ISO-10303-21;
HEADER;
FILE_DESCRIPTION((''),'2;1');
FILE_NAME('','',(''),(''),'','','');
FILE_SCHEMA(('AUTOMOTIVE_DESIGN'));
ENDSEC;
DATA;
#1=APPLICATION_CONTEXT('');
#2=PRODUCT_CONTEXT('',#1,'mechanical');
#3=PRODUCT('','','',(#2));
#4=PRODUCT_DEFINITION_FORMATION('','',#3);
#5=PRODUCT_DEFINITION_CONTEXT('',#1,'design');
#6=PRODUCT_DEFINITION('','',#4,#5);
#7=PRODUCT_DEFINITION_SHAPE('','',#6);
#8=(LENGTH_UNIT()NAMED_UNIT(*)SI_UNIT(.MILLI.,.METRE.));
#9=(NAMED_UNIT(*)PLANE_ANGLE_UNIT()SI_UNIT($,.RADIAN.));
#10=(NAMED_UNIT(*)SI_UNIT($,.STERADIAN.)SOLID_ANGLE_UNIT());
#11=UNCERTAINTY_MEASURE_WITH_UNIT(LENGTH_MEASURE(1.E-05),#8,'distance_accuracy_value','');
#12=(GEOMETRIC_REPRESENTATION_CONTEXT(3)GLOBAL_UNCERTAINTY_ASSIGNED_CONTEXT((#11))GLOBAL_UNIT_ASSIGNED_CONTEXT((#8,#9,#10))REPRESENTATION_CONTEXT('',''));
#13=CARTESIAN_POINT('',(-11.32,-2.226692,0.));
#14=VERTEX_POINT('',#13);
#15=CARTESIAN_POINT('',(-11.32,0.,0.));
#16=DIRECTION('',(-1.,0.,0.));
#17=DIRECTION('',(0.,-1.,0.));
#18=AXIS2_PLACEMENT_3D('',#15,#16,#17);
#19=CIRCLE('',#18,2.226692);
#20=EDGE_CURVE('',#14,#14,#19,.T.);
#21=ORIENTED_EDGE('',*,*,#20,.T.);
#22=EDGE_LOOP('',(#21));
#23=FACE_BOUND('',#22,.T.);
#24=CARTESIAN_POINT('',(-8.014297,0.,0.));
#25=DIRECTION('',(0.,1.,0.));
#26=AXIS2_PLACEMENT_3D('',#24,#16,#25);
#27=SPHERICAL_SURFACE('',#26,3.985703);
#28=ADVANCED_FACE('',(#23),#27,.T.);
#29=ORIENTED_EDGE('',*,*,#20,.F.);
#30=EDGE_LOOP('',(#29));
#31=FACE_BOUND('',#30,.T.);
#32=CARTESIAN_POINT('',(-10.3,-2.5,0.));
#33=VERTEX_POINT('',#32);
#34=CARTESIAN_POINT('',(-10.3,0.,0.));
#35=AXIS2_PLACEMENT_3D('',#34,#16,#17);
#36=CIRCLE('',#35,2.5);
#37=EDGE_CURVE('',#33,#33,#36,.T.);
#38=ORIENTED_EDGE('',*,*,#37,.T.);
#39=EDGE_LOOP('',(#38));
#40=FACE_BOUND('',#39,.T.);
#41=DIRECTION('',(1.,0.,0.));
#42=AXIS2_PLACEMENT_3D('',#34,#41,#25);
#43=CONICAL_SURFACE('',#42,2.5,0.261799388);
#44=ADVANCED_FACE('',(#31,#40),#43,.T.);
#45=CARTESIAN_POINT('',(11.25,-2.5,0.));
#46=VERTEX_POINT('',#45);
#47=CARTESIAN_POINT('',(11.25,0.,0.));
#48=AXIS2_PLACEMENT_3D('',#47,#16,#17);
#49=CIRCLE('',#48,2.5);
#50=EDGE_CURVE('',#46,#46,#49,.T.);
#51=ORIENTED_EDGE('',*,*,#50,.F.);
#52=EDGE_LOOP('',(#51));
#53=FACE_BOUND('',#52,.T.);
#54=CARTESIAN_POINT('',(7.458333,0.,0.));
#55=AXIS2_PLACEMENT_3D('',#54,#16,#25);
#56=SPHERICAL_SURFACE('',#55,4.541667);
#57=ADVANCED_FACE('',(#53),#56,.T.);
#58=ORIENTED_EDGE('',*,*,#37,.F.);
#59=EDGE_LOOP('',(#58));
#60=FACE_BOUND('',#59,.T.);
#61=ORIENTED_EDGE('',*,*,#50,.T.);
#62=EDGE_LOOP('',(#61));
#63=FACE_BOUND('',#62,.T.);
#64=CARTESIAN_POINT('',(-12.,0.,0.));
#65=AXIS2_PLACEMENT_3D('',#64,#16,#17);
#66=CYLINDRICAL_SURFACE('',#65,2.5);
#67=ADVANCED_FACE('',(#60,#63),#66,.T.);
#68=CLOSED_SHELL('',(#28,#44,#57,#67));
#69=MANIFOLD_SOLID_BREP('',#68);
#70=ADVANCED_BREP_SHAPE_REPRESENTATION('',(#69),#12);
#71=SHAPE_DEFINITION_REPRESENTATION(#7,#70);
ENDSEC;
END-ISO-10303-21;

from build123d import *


with BuildPart() as part:
    # Sketch5 → Revolve1 (revolve)
    with BuildSketch(Plane.XY, mode=Mode.PRIVATE) as revolve1_sk:
        with BuildLine():
            Line((-12, 0), (12, 0))
            ThreePointArc((12, 0), (11.808461045, 1.305038314), (11.25, 2.5))
            Line((11.25, 2.5), (-10.3, 2.5))
            Line((-10.3, 2.5), (-11.32, 2.226691824))
            ThreePointArc((-11.32, 2.226691824), (-11.826211137, 1.164104428), (-12, 0))
        make_face()
    revolve(revolve1_sk.sketch.rotate(Axis((-12, 0, 0), (1, 0, 0)), 180), axis=Axis((-12, 0, 0), (1, 0, 0)))


solid = part.part
